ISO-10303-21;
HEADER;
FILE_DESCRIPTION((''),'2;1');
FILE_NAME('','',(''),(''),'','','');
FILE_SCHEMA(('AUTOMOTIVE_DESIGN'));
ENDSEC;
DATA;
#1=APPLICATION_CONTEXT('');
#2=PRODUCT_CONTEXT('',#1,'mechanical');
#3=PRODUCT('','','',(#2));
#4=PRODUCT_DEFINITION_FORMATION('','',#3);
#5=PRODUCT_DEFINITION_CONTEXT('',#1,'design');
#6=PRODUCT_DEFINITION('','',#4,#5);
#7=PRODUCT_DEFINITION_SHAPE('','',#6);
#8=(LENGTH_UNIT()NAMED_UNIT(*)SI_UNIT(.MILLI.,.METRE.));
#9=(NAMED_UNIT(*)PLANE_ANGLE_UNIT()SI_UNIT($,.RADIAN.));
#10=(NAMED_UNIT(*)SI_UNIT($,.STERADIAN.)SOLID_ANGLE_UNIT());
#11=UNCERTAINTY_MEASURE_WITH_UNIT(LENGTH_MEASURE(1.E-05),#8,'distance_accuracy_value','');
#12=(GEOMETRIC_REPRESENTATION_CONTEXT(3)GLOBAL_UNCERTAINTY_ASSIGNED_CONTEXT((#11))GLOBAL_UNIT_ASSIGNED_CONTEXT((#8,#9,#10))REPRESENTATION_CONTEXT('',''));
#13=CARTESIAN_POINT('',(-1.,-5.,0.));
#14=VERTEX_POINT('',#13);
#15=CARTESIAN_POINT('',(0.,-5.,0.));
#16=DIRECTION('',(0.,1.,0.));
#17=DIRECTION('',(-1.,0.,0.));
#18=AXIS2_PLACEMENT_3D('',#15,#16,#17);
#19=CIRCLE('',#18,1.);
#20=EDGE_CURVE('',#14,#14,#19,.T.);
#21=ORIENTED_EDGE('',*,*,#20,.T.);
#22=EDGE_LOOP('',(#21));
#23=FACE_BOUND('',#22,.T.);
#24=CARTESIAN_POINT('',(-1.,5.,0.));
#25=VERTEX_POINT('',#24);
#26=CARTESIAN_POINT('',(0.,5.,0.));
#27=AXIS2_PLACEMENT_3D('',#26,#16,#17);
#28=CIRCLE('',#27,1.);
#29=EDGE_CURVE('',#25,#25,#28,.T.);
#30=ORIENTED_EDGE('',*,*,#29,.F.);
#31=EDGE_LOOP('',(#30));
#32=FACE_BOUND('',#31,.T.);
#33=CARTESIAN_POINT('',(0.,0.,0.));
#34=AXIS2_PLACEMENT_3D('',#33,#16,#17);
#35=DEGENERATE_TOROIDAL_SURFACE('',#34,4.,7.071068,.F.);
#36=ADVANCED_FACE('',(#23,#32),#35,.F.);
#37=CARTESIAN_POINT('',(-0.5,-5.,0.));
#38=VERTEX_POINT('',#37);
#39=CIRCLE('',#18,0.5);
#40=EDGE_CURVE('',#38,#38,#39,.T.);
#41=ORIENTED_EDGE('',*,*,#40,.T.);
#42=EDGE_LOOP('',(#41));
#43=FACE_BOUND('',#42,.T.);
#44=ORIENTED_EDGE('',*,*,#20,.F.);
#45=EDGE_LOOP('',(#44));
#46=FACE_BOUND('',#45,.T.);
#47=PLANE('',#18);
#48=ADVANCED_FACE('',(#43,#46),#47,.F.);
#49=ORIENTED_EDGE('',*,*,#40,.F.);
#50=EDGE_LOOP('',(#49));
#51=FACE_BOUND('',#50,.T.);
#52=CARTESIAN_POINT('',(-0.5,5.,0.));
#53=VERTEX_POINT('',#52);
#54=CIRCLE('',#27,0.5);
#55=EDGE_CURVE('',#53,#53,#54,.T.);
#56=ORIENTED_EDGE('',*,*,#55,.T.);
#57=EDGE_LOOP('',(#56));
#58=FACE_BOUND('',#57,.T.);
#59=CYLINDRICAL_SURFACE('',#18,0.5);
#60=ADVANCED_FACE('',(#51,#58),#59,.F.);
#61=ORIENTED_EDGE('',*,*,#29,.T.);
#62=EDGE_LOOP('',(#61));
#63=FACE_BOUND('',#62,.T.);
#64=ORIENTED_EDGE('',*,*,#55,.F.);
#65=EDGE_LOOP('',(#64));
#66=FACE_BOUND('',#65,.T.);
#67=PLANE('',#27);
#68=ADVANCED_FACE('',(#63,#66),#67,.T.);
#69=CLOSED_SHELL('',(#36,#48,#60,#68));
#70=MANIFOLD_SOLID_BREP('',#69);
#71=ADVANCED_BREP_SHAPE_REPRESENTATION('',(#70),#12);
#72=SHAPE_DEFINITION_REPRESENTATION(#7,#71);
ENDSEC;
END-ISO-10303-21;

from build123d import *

# Parameters (mm, degrees)
SKETCH2_R          = 0.5
CUT_EXTRUDE1_DEPTH = 11.0000001


with BuildPart() as part:
    # Sketch1 → Revolve1 (revolve)
    with BuildSketch(Plane.XY):
        with BuildLine():
            ThreePointArc((1, 5), (3.071067812, 0), (1, -5))
            Line((1, -5), (0, -5))
            Line((0, -5), (0, 5))
            Line((0, 5), (1, 5))
        make_face()
    revolve(axis=Axis((0, 5, 0), (0, -1, 0)))

    # Sketch2 → Cut-Extrude1 (cut, through all)
    with BuildSketch(Plane(origin=(0, 5, 0), x_dir=(1, 0, 0), z_dir=(0, 1, 0))):
        Circle(SKETCH2_R)
    extrude(amount=-CUT_EXTRUDE1_DEPTH, mode=Mode.SUBTRACT)


solid = part.part
